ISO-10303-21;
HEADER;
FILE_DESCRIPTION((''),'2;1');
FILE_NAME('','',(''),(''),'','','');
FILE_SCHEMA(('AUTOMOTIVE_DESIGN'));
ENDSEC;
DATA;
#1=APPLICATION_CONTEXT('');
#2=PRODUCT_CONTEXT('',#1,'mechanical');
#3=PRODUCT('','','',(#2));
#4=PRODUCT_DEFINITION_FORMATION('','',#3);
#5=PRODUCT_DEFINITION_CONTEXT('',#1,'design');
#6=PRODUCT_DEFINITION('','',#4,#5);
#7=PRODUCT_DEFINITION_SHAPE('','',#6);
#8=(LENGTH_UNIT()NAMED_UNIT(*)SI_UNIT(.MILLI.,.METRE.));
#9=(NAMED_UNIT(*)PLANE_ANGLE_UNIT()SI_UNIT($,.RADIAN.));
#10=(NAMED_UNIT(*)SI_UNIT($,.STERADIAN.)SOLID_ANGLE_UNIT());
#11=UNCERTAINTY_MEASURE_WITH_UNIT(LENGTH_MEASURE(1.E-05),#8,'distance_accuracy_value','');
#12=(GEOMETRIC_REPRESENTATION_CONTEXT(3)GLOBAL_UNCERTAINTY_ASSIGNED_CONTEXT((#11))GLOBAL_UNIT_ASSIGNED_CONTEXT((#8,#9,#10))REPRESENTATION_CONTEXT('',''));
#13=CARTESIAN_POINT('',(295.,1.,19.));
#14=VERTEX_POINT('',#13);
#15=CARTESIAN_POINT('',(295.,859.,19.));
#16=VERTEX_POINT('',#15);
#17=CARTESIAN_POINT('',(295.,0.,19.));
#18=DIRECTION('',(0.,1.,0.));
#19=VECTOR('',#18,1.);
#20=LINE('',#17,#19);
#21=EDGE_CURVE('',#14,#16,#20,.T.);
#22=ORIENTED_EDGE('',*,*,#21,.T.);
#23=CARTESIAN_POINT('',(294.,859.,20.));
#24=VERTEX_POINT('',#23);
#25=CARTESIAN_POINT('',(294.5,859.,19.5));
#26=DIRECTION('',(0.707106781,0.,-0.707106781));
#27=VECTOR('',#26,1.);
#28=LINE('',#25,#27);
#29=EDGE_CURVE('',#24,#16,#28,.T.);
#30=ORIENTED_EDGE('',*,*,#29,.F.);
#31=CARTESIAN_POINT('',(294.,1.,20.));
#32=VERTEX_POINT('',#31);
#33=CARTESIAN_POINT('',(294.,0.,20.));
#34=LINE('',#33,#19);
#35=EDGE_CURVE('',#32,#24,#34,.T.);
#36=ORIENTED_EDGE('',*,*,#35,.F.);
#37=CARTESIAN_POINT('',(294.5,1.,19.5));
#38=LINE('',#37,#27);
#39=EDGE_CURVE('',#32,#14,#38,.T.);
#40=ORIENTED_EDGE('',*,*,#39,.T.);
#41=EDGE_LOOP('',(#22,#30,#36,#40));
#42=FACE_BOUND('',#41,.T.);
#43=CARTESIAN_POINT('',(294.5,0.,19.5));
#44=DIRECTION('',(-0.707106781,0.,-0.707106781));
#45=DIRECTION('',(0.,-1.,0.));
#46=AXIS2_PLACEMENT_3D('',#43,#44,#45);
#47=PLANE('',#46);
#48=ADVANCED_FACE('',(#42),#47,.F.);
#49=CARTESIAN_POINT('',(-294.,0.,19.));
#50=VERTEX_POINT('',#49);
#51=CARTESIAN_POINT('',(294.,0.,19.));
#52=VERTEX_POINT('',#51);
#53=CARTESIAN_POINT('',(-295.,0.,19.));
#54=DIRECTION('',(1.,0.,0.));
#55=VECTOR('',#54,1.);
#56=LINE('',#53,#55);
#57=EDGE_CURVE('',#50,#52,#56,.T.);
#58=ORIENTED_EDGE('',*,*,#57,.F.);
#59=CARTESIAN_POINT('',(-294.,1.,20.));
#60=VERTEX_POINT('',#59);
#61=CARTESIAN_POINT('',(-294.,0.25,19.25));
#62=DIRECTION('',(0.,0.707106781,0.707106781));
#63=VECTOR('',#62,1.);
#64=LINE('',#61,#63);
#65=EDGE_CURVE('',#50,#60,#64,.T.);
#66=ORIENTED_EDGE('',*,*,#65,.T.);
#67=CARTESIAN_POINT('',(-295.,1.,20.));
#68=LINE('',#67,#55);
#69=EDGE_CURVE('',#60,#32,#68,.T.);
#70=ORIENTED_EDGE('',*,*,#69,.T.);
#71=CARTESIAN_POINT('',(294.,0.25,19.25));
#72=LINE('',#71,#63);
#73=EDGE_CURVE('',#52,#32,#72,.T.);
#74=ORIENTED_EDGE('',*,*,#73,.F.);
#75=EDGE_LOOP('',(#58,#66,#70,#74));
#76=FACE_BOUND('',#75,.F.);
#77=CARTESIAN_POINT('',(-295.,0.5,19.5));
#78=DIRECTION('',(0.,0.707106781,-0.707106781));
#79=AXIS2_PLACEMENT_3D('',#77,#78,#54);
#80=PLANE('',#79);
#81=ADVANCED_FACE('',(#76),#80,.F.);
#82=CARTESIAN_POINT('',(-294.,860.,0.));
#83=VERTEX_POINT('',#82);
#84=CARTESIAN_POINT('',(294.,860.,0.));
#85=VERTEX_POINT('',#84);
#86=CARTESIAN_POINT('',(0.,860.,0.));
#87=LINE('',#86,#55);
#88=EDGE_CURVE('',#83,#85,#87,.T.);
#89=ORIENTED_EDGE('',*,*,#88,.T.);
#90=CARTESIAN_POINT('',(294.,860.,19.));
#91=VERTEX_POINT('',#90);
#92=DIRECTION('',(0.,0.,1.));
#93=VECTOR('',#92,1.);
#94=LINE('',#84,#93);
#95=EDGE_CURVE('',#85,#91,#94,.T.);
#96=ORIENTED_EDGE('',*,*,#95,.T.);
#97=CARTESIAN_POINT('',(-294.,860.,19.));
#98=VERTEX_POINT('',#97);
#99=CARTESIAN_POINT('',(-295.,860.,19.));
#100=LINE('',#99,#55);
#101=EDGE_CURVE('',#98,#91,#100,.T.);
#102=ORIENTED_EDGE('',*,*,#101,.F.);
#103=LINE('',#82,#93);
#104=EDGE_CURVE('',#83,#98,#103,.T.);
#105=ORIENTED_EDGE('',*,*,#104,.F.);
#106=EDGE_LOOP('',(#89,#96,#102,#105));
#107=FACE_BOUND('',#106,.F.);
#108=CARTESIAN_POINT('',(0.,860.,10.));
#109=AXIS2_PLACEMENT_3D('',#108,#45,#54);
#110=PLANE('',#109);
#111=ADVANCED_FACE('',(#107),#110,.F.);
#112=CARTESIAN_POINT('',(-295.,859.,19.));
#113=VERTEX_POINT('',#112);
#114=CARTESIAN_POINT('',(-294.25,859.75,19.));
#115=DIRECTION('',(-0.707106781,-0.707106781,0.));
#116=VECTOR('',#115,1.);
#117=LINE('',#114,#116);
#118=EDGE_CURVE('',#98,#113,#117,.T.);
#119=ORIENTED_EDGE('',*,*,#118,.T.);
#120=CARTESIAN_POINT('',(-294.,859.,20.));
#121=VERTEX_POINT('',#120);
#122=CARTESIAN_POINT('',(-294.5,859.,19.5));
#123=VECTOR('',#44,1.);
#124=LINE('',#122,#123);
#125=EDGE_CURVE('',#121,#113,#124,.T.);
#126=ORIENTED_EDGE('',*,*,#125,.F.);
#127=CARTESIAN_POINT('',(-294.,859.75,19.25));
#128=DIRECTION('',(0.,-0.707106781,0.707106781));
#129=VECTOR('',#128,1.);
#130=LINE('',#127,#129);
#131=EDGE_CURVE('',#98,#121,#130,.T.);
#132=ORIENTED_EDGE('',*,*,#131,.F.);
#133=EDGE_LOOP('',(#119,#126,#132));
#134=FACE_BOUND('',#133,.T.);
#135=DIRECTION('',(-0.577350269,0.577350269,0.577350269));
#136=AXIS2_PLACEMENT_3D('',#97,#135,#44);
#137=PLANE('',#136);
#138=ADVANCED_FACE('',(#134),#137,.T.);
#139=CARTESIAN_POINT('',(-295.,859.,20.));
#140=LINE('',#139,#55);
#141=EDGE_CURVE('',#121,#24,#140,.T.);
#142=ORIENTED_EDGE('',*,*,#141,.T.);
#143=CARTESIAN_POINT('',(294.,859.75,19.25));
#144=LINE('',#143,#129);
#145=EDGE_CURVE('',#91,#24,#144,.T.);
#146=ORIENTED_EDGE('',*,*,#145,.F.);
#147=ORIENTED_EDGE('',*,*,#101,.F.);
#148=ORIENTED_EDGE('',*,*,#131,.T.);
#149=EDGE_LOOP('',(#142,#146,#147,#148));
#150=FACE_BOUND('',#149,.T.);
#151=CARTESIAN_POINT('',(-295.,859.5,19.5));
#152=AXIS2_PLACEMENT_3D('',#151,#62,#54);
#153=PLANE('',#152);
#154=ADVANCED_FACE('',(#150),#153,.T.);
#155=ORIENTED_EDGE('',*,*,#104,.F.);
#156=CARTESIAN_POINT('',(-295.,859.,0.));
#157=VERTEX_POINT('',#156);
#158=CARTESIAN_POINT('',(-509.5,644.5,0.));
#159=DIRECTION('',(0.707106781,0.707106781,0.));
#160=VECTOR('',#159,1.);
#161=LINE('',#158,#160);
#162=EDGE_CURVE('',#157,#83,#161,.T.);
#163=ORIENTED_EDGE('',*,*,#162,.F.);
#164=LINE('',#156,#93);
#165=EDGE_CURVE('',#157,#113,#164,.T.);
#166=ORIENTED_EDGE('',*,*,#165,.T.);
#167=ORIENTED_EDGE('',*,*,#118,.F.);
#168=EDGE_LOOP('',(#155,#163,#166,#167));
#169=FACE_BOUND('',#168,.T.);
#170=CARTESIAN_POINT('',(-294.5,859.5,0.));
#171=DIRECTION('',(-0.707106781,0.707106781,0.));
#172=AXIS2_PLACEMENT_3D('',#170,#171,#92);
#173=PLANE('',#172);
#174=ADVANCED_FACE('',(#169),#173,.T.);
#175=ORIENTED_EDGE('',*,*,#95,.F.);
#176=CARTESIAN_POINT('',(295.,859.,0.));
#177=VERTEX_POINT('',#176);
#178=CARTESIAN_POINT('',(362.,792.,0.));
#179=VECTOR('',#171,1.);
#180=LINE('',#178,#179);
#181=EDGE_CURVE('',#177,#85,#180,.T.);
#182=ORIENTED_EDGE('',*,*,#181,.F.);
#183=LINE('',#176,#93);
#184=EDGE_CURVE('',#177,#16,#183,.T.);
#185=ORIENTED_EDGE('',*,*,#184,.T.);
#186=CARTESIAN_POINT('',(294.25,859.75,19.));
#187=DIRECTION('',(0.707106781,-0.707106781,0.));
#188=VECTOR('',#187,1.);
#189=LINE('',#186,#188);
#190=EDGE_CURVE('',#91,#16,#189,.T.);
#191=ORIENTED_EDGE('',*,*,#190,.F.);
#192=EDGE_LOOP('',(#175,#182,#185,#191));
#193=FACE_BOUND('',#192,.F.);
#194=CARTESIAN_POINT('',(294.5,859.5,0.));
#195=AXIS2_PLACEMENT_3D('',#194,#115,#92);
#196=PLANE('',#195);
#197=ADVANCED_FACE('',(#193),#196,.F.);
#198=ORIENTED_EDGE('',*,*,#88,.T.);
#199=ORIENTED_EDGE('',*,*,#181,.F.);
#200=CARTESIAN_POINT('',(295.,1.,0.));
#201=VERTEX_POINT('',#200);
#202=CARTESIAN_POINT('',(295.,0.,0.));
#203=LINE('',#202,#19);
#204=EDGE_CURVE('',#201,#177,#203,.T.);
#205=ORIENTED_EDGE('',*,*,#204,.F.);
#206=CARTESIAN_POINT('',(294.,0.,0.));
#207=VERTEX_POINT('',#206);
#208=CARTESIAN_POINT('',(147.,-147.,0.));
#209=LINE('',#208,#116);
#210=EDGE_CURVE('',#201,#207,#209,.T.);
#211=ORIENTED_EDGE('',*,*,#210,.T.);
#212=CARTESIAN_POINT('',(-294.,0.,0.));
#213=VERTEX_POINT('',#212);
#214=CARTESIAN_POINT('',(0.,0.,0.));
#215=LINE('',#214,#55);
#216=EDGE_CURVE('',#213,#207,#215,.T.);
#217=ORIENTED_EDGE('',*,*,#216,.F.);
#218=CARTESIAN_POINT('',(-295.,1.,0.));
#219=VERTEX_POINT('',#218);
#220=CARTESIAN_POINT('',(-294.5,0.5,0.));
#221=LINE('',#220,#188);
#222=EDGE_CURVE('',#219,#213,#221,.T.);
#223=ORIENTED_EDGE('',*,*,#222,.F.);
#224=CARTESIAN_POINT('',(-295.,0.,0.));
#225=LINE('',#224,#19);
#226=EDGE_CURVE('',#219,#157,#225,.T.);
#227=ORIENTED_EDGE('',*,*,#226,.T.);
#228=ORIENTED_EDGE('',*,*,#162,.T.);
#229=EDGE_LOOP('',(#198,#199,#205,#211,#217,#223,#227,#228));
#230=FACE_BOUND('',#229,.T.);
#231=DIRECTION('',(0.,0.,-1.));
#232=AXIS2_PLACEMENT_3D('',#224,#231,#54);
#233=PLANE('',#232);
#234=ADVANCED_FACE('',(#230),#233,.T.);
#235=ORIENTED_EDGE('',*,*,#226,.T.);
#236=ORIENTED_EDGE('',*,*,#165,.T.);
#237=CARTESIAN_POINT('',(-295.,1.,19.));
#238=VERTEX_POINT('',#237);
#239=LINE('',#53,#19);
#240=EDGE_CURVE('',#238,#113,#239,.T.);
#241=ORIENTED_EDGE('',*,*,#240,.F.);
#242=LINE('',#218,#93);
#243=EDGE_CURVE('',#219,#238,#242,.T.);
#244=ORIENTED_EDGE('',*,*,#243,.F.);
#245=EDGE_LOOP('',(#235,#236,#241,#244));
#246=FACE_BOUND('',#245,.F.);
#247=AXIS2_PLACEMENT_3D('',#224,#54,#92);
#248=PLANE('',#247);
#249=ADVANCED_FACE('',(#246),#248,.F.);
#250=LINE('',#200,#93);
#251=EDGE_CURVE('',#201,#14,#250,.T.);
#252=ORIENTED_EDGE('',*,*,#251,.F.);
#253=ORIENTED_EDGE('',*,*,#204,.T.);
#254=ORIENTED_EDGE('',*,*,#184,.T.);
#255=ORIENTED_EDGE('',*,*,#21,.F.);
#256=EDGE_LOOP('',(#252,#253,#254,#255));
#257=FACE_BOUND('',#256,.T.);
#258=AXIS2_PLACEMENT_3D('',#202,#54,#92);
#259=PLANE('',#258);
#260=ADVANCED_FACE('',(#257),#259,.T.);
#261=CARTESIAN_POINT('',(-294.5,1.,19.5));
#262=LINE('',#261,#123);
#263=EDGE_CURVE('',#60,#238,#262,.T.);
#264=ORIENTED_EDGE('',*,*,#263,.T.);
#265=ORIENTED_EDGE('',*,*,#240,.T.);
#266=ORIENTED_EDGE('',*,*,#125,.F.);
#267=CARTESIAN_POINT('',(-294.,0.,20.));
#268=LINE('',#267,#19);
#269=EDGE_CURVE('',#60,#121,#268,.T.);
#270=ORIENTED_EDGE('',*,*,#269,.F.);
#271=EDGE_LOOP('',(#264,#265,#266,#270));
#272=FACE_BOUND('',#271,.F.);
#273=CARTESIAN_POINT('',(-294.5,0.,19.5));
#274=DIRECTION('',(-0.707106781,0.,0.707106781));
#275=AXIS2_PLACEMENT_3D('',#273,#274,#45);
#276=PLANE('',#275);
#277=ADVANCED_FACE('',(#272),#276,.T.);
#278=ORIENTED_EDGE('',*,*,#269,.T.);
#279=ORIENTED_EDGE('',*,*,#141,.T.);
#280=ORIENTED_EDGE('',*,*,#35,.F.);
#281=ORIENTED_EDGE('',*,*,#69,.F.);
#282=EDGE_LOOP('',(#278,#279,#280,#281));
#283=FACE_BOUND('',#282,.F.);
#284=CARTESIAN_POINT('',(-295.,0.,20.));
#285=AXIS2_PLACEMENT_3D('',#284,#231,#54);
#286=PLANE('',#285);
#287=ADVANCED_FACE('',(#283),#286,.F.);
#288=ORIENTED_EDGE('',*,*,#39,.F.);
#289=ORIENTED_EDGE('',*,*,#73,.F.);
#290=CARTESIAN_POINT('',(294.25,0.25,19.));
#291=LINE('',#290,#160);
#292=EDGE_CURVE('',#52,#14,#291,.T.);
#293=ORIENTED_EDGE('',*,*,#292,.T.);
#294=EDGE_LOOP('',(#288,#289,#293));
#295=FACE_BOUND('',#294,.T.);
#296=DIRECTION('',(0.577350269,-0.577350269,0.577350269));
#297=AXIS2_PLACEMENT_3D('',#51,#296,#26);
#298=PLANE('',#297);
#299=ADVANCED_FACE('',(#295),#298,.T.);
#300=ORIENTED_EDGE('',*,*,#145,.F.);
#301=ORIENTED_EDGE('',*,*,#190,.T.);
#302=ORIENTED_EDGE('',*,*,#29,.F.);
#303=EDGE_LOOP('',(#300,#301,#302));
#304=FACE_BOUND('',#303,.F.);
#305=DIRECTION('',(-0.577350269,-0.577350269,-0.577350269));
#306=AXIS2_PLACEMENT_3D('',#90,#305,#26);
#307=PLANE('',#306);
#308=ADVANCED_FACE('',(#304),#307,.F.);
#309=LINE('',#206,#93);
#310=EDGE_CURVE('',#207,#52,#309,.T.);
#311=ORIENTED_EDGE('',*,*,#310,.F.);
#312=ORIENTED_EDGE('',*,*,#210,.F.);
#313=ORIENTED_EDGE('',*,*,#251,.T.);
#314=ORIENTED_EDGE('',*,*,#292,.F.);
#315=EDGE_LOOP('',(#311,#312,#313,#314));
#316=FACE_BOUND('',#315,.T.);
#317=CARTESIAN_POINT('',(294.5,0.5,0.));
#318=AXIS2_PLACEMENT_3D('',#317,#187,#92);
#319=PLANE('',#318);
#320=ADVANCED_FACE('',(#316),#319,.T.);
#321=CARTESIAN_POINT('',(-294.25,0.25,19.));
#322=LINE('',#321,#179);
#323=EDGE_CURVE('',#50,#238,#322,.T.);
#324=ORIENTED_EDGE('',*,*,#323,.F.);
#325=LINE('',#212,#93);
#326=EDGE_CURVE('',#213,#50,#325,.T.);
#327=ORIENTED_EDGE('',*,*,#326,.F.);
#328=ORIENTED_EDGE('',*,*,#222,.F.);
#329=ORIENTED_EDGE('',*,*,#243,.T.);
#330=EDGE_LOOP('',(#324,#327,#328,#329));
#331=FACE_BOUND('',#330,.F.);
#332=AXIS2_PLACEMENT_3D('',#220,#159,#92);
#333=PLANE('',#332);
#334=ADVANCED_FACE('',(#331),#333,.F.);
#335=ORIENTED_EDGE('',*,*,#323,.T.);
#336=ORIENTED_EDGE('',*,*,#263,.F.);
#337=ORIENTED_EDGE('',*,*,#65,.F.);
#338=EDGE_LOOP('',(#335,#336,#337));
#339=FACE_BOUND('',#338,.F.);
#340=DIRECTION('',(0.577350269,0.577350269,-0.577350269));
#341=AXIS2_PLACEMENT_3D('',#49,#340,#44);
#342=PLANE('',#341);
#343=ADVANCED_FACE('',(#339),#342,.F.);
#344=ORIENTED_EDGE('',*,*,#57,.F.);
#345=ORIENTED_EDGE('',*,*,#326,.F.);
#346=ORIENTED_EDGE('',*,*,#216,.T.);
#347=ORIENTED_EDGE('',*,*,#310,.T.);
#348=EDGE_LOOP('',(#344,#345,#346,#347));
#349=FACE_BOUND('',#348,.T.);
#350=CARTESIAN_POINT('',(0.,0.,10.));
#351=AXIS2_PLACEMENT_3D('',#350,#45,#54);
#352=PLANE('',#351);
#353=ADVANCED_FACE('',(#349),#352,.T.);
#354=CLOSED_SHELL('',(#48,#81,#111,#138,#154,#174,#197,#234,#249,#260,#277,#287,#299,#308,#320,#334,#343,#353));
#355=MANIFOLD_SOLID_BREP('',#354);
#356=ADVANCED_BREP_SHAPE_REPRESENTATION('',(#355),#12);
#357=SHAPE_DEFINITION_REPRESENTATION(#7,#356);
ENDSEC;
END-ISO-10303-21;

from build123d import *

# Parameters (mm, degrees)
F0_W     = 590
F0_H     = 20
F1_DEPTH = 860
F2_SIZE  = 1


with BuildPart() as f1:
    # F0 (on Front) → F1 (new body)
    with BuildSketch(Plane.XZ):
        with Locations((0, 10)):
            Rectangle(F0_W, F0_H)
    extrude(amount=-F1_DEPTH)

    # F2
    f2_edges = [f1.edges().sort_by_distance(p)[0] for p in [
        (295, 430, 20),
        (-295, 430, 20),
        (0, 0, 20),
        (0, 860, 20),
        (295, 0, 10),
        (295, 860, 10),
        (-295, 0, 10),
        (-295, 860, 10),
    ]]
    chamfer(f2_edges, length=F2_SIZE)


solid = f1.part
